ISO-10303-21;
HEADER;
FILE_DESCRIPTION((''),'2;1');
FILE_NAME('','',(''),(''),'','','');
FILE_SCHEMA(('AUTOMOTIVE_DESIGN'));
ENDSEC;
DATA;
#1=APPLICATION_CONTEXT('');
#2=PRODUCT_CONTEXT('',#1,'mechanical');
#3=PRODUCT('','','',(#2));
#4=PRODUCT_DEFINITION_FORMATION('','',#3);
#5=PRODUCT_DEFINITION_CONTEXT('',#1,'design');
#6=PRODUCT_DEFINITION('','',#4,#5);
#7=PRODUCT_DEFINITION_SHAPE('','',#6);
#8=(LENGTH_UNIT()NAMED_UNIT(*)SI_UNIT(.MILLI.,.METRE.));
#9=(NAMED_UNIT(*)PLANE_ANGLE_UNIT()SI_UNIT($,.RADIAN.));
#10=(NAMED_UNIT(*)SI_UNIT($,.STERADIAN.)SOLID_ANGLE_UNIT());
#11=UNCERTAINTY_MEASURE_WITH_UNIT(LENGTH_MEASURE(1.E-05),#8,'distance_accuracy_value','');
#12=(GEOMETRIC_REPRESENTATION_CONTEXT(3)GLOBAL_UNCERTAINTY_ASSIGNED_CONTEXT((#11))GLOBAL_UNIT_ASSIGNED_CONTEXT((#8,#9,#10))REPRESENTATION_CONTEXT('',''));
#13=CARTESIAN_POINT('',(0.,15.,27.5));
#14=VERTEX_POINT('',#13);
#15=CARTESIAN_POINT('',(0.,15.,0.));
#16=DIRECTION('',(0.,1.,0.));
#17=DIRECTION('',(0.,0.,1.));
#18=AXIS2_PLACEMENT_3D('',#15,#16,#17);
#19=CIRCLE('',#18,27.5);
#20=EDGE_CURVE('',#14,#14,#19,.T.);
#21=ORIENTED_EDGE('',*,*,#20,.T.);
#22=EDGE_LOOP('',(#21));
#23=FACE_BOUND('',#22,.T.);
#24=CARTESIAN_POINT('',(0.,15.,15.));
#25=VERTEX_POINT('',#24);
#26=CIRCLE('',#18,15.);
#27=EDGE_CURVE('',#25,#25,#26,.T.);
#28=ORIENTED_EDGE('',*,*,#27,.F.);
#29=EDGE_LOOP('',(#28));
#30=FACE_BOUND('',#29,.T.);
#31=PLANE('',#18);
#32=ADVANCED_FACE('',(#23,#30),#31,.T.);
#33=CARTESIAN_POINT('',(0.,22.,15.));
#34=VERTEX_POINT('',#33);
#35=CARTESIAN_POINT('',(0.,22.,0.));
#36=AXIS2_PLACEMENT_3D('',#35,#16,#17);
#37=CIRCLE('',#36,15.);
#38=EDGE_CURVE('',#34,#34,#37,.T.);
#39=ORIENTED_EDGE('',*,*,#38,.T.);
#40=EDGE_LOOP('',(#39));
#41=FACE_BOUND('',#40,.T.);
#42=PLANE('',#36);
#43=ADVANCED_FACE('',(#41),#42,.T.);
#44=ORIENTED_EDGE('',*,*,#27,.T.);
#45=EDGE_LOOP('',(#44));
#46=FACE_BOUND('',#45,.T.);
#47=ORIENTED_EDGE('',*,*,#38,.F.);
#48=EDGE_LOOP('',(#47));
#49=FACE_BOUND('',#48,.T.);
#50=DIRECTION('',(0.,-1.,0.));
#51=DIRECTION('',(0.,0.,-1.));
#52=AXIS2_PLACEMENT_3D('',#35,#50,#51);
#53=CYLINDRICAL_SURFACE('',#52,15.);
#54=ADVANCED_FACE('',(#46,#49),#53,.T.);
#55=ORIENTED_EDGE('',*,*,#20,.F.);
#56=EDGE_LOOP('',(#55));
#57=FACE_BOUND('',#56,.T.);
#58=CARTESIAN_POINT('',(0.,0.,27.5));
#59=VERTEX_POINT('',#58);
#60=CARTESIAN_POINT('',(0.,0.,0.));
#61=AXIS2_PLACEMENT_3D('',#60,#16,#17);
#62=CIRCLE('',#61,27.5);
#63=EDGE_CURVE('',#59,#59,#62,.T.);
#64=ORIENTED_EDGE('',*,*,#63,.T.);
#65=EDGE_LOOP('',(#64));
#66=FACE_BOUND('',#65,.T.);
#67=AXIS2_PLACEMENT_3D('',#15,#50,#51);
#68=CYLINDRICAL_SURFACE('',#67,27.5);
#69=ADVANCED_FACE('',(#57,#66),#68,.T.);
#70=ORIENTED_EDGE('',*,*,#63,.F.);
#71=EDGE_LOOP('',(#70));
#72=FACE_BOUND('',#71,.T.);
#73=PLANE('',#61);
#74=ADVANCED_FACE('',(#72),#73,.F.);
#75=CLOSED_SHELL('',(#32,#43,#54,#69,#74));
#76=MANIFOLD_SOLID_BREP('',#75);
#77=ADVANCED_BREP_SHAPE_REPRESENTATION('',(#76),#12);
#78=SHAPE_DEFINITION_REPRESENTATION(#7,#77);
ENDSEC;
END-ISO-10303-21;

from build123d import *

# Parameters (mm, degrees)
SKETCH1_R           = 27.5
BOSS_EXTRUDE1_DEPTH = 15
SKETCH2_R           = 15
BOSS_EXTRUDE2_DEPTH = 7


with BuildPart() as part:
    # Sketch1 → Boss-Extrude1 (new body)
    with BuildSketch(Plane(origin=(0, 0, 0), x_dir=(1, 0, 0), z_dir=(0, 1, 0))):
        Circle(SKETCH1_R)
    extrude(amount=BOSS_EXTRUDE1_DEPTH)

    # Sketch2 → Boss-Extrude2 (add)
    with BuildSketch(Plane(origin=(0, 15, 0), x_dir=(1, 0, 0), z_dir=(0, 1, 0))):
        Circle(SKETCH2_R)
    extrude(amount=BOSS_EXTRUDE2_DEPTH)


solid = part.part
